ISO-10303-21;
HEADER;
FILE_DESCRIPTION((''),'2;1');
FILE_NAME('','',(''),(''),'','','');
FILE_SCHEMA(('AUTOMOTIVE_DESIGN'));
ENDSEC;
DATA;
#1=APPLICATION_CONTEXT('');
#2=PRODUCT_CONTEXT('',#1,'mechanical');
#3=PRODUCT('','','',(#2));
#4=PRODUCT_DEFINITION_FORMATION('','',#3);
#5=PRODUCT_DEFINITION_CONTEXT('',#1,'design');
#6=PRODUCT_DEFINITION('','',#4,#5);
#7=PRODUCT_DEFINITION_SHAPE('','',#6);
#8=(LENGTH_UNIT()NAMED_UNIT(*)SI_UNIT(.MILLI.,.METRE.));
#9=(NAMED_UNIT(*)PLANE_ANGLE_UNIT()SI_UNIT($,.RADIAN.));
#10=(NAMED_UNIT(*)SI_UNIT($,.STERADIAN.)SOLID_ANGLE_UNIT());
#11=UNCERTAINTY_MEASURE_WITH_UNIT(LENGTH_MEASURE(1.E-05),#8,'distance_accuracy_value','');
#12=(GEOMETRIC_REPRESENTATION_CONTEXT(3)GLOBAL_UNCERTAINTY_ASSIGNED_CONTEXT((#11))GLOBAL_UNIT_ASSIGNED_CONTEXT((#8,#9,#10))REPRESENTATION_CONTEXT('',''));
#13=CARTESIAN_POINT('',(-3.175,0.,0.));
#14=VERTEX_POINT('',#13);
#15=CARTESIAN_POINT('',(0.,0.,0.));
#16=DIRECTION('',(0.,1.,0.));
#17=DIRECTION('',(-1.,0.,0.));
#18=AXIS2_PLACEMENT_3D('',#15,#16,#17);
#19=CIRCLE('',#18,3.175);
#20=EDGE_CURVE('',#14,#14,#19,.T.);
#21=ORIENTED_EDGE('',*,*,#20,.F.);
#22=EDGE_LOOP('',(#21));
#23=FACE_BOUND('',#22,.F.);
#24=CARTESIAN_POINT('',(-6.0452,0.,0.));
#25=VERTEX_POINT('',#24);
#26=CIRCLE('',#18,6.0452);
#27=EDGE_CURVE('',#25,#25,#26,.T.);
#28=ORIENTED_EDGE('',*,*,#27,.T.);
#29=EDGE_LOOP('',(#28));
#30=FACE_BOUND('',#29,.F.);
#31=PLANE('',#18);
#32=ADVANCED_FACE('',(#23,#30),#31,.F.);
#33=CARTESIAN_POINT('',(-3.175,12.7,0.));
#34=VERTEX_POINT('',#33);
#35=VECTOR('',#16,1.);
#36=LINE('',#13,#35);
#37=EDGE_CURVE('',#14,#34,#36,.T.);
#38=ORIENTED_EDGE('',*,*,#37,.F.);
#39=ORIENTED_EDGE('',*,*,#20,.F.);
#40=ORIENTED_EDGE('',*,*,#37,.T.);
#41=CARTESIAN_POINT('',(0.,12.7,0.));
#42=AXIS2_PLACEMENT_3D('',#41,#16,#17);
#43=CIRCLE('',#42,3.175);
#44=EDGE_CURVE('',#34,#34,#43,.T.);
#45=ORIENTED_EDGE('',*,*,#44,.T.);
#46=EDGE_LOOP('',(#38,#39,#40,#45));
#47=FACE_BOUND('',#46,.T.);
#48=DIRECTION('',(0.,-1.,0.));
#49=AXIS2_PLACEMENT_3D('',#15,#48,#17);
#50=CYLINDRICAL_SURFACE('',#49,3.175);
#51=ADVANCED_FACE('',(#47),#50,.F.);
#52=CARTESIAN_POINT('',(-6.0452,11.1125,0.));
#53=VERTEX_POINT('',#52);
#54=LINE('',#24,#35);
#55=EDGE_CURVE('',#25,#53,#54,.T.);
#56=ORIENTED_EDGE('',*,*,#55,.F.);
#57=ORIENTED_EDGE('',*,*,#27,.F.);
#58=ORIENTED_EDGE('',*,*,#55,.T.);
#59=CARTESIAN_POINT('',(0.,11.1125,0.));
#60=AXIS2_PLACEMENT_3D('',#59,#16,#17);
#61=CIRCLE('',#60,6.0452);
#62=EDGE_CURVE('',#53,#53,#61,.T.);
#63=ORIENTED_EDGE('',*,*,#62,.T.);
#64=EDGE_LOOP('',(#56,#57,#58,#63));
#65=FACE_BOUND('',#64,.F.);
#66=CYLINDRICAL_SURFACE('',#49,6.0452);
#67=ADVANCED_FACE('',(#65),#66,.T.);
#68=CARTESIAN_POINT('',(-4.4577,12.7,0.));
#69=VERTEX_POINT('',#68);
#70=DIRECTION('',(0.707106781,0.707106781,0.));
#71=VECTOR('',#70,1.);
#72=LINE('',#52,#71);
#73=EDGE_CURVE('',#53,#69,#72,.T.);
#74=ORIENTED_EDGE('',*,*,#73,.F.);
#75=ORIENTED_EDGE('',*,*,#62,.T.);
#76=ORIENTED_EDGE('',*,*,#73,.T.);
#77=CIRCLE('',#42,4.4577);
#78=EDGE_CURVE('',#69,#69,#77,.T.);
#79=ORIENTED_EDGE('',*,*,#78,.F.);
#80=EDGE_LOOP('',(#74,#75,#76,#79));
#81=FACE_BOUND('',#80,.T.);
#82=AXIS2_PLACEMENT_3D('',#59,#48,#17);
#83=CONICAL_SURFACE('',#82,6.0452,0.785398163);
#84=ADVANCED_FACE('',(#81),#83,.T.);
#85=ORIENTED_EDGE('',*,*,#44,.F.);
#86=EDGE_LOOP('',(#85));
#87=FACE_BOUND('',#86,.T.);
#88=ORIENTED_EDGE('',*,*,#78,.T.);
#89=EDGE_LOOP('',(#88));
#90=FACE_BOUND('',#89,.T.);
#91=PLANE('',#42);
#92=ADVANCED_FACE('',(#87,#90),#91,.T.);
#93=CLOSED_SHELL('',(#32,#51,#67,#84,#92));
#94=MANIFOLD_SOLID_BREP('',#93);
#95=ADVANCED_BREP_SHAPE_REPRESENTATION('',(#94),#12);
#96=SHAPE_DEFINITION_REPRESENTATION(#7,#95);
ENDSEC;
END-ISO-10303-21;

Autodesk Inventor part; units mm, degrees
ref_plane "YZ Plane" through (0, 0, 0) normal (1, 0, 0) x (0, 1, 0)
ref_plane "XZ Plane" through (0, 0, 0) normal (0, 1, 0) x (-1, 0, 0)
ref_plane "XY Plane" through (0, 0, 0) normal (0, 0, 1) x (1, 0, 0)
sketch "Sketch1" plane through (0, 0, 0) normal (0, 1, 0) x (-1, 0, 0)
  circle A0 centre (0, 0) radius 6.0452
  circle A1 centre (0, 0) radius 3.175
  dimension "d0" = 12.0904
  dimension "d1" = 6.35
extrude "Extrusion1" add sketch "Sketch1" along normal blind 12.7
chamfer "Chamfer1" distance 1.5875 angle 45 1 edges at (6.0452, 12.7, 0)
properties part number "roller spacer"
